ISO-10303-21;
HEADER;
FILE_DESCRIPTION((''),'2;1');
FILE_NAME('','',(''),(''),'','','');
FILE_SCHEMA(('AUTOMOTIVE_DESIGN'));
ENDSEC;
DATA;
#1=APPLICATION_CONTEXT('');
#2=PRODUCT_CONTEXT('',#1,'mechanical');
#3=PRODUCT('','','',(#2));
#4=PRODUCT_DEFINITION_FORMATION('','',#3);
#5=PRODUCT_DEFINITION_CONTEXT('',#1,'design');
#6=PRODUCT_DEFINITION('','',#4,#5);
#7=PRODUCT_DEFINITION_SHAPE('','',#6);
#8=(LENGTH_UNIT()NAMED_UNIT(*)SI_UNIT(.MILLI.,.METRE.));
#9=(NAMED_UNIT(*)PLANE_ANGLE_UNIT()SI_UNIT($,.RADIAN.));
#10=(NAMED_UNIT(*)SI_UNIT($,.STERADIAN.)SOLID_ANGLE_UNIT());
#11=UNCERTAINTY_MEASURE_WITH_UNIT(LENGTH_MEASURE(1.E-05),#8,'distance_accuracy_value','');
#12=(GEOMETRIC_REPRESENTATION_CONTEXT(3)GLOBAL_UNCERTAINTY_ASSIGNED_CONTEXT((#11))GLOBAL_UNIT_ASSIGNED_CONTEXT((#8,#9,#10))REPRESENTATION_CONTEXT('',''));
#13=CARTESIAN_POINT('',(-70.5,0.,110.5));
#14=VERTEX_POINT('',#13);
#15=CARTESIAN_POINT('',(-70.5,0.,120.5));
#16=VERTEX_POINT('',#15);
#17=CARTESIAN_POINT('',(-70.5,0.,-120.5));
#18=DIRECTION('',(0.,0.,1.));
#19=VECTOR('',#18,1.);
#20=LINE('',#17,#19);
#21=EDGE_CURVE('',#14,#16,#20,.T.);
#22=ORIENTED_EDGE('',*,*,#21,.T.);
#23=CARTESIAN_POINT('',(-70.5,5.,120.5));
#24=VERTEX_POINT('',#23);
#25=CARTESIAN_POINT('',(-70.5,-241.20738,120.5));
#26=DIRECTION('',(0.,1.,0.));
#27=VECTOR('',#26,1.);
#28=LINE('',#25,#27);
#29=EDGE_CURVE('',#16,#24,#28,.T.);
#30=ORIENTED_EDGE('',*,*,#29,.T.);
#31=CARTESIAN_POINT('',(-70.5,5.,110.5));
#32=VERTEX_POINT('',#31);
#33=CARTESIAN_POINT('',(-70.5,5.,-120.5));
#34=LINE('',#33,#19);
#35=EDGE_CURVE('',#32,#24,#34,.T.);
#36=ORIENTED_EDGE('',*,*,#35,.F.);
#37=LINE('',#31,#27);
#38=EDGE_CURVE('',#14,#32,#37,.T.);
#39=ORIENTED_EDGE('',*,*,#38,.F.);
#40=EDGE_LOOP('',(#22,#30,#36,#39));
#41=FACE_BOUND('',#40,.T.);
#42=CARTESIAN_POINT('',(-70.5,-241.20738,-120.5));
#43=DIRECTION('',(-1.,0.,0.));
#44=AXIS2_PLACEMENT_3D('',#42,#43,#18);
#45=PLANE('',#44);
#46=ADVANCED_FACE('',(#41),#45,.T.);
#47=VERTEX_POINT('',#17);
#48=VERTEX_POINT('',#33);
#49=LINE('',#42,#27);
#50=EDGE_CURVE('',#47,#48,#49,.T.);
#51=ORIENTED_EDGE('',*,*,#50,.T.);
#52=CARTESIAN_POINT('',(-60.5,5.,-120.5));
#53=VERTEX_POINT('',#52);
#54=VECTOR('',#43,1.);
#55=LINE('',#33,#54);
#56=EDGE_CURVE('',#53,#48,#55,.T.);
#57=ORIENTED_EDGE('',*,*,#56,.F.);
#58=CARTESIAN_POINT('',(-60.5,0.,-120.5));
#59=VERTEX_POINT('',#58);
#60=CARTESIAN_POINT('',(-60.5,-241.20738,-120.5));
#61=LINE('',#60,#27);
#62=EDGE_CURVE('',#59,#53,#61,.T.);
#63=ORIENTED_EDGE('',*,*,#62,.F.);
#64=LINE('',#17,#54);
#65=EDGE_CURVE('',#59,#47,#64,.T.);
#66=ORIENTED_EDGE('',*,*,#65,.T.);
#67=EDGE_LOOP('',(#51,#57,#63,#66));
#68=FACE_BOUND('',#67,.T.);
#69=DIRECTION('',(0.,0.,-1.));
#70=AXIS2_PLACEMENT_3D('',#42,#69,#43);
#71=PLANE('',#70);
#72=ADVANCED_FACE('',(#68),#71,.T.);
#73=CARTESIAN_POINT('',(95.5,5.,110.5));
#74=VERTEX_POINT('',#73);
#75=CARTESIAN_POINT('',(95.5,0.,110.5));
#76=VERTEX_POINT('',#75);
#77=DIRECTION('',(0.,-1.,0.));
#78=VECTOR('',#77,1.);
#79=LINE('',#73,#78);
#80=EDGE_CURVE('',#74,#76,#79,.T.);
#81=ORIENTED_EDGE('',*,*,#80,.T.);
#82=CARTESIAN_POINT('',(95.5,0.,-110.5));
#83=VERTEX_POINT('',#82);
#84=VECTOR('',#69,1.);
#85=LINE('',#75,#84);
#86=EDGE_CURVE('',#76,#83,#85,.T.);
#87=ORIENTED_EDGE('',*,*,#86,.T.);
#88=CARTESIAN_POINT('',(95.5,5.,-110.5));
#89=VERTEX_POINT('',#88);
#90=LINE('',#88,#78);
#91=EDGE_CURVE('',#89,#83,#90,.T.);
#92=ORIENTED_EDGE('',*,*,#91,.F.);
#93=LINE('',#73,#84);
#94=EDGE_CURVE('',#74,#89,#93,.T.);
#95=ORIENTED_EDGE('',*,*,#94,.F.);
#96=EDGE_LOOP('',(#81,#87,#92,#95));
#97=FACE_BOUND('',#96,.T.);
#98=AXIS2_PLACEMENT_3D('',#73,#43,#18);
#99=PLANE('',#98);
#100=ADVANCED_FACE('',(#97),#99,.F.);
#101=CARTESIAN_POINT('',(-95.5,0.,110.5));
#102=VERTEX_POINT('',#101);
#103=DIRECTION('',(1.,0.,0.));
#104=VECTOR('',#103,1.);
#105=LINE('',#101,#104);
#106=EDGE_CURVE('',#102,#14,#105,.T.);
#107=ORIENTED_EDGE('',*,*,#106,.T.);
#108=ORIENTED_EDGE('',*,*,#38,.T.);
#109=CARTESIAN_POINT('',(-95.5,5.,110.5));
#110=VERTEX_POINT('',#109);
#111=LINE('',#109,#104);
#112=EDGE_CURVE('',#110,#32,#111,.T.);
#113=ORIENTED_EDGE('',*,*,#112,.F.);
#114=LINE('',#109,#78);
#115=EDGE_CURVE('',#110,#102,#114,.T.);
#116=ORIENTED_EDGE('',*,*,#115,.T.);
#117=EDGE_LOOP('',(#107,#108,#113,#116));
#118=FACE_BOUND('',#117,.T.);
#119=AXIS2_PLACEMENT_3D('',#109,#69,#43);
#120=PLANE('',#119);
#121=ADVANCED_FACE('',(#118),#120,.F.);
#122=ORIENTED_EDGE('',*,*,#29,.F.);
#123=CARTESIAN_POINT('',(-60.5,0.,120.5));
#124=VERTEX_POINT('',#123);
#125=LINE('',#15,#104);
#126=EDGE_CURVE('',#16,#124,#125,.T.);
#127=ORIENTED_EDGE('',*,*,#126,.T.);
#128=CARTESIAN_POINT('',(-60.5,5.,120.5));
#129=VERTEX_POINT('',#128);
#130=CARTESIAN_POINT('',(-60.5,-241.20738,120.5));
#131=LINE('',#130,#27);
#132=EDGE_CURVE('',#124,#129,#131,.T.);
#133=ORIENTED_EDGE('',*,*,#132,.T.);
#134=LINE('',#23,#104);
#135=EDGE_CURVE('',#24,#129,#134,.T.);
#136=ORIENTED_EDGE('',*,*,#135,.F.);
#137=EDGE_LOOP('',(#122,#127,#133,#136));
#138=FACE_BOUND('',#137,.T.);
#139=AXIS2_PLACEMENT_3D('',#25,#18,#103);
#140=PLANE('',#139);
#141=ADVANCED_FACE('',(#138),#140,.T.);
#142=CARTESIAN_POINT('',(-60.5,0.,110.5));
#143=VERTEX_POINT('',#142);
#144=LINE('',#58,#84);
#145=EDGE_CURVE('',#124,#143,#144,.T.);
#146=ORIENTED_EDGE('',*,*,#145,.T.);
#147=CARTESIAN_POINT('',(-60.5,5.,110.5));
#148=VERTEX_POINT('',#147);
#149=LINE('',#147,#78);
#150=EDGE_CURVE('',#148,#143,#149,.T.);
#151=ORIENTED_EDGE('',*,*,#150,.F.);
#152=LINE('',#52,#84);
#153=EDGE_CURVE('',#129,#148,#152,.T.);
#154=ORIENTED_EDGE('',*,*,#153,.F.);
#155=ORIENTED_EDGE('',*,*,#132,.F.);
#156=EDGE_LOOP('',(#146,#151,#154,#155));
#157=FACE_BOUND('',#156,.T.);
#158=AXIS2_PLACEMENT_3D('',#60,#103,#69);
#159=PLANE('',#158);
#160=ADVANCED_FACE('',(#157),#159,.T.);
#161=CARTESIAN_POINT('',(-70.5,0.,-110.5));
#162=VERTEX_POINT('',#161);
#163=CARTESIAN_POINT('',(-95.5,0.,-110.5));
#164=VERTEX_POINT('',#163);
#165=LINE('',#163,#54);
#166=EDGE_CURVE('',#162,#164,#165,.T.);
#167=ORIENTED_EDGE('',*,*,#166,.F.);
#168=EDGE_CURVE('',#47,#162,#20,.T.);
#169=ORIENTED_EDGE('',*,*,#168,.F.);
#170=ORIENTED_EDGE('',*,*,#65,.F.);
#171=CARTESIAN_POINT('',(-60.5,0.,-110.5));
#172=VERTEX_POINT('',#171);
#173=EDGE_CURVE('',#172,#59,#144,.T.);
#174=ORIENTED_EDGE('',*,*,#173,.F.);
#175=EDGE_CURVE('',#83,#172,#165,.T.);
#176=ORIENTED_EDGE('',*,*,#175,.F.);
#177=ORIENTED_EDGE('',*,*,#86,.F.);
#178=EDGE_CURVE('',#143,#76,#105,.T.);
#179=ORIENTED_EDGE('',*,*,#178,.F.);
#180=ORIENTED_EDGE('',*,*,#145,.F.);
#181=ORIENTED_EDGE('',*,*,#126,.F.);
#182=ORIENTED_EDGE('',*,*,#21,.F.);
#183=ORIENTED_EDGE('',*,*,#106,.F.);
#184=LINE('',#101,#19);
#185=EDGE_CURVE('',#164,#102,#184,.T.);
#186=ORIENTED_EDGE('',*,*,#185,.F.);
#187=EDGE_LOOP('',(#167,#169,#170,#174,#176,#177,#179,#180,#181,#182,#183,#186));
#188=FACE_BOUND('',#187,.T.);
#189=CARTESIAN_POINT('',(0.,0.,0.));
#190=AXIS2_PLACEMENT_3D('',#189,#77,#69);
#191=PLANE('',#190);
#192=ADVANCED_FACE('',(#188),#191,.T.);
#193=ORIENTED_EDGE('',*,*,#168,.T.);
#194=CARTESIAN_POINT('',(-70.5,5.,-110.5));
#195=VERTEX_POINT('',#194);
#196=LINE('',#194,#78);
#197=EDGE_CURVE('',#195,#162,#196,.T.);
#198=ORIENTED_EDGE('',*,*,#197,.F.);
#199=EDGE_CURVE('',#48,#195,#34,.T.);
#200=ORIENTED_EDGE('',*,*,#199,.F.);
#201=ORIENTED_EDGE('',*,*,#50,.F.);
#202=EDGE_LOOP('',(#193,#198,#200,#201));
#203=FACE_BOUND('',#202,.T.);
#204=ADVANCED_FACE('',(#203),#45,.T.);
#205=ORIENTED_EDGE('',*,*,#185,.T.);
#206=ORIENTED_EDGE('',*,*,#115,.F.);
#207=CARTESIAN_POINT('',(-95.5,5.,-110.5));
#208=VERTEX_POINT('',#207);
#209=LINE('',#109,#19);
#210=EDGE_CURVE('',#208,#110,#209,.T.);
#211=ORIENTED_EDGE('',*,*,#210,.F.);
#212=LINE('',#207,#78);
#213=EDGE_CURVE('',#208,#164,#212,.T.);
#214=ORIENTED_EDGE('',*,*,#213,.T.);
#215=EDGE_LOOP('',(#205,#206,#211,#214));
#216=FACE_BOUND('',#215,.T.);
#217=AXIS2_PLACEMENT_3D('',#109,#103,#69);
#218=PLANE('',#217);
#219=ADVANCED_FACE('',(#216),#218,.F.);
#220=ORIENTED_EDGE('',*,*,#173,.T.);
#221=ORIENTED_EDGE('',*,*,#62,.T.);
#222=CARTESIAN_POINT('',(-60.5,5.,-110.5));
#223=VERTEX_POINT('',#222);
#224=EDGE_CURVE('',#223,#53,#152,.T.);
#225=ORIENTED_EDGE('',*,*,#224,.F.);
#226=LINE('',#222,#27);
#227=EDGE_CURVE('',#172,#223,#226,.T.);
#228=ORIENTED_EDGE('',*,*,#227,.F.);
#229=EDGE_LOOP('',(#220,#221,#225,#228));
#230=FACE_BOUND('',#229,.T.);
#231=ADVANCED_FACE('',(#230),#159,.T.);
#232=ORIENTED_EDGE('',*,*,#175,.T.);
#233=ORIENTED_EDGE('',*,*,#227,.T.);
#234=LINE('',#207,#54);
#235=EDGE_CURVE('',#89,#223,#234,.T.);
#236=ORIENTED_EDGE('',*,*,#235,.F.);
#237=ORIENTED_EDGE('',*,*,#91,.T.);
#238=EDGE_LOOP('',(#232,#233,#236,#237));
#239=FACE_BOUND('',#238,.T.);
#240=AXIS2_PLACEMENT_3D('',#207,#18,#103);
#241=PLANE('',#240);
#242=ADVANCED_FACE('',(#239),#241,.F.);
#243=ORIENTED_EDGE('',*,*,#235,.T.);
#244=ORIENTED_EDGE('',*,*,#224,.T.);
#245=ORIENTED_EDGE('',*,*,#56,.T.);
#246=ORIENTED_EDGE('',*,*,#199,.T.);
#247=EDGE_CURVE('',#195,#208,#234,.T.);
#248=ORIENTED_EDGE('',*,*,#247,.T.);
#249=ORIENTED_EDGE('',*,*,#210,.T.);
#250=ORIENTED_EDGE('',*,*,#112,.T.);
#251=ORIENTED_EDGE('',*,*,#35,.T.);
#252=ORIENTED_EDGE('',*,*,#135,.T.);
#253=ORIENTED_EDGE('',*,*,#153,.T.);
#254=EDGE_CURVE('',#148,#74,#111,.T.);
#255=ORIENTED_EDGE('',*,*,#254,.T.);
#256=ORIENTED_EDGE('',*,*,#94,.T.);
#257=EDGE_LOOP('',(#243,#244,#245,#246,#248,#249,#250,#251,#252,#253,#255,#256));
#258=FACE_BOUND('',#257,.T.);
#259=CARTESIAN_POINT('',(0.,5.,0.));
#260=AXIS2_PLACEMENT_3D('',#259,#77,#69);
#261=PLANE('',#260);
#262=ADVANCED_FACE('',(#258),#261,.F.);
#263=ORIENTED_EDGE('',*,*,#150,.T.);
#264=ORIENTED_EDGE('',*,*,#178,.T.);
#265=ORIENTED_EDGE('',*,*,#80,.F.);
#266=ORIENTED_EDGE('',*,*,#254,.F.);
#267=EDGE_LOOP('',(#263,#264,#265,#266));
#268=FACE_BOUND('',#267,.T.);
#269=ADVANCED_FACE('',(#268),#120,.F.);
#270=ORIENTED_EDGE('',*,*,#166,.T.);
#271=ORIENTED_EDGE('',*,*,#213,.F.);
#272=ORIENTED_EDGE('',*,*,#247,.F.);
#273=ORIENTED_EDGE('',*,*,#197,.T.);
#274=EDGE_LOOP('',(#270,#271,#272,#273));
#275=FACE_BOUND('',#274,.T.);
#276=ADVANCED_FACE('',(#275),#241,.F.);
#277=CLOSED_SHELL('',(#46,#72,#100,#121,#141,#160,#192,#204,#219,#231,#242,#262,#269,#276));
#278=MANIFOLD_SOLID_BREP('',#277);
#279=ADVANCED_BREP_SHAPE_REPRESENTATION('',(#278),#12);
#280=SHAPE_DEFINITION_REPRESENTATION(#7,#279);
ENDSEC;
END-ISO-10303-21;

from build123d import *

# Parameters (mm, degrees)
SKETCH1_W           = 191
SKETCH1_H           = 221
BOSS_EXTRUDE1_DEPTH = 5
SKETCH2_W           = 10
SKETCH2_H           = 241
BOSS_EXTRUDE2_DEPTH = 5


with BuildPart() as part:
    # Sketch1 → Boss-Extrude1 (new body)
    with BuildSketch(Plane(origin=(0, 0, 0), x_dir=(1, 0, 0), z_dir=(0, 1, 0))):
        Rectangle(SKETCH1_W, SKETCH1_H)
    extrude(amount=BOSS_EXTRUDE1_DEPTH)

    # Sketch2 → Boss-Extrude2 (add)
    with BuildSketch(Plane(origin=(0, 5, 0), x_dir=(1, 0, 0), z_dir=(0, 1, 0))):
        with Locations((-65.5, 0)):
            Rectangle(SKETCH2_W, SKETCH2_H)
    extrude(amount=-BOSS_EXTRUDE2_DEPTH)


solid = part.part
